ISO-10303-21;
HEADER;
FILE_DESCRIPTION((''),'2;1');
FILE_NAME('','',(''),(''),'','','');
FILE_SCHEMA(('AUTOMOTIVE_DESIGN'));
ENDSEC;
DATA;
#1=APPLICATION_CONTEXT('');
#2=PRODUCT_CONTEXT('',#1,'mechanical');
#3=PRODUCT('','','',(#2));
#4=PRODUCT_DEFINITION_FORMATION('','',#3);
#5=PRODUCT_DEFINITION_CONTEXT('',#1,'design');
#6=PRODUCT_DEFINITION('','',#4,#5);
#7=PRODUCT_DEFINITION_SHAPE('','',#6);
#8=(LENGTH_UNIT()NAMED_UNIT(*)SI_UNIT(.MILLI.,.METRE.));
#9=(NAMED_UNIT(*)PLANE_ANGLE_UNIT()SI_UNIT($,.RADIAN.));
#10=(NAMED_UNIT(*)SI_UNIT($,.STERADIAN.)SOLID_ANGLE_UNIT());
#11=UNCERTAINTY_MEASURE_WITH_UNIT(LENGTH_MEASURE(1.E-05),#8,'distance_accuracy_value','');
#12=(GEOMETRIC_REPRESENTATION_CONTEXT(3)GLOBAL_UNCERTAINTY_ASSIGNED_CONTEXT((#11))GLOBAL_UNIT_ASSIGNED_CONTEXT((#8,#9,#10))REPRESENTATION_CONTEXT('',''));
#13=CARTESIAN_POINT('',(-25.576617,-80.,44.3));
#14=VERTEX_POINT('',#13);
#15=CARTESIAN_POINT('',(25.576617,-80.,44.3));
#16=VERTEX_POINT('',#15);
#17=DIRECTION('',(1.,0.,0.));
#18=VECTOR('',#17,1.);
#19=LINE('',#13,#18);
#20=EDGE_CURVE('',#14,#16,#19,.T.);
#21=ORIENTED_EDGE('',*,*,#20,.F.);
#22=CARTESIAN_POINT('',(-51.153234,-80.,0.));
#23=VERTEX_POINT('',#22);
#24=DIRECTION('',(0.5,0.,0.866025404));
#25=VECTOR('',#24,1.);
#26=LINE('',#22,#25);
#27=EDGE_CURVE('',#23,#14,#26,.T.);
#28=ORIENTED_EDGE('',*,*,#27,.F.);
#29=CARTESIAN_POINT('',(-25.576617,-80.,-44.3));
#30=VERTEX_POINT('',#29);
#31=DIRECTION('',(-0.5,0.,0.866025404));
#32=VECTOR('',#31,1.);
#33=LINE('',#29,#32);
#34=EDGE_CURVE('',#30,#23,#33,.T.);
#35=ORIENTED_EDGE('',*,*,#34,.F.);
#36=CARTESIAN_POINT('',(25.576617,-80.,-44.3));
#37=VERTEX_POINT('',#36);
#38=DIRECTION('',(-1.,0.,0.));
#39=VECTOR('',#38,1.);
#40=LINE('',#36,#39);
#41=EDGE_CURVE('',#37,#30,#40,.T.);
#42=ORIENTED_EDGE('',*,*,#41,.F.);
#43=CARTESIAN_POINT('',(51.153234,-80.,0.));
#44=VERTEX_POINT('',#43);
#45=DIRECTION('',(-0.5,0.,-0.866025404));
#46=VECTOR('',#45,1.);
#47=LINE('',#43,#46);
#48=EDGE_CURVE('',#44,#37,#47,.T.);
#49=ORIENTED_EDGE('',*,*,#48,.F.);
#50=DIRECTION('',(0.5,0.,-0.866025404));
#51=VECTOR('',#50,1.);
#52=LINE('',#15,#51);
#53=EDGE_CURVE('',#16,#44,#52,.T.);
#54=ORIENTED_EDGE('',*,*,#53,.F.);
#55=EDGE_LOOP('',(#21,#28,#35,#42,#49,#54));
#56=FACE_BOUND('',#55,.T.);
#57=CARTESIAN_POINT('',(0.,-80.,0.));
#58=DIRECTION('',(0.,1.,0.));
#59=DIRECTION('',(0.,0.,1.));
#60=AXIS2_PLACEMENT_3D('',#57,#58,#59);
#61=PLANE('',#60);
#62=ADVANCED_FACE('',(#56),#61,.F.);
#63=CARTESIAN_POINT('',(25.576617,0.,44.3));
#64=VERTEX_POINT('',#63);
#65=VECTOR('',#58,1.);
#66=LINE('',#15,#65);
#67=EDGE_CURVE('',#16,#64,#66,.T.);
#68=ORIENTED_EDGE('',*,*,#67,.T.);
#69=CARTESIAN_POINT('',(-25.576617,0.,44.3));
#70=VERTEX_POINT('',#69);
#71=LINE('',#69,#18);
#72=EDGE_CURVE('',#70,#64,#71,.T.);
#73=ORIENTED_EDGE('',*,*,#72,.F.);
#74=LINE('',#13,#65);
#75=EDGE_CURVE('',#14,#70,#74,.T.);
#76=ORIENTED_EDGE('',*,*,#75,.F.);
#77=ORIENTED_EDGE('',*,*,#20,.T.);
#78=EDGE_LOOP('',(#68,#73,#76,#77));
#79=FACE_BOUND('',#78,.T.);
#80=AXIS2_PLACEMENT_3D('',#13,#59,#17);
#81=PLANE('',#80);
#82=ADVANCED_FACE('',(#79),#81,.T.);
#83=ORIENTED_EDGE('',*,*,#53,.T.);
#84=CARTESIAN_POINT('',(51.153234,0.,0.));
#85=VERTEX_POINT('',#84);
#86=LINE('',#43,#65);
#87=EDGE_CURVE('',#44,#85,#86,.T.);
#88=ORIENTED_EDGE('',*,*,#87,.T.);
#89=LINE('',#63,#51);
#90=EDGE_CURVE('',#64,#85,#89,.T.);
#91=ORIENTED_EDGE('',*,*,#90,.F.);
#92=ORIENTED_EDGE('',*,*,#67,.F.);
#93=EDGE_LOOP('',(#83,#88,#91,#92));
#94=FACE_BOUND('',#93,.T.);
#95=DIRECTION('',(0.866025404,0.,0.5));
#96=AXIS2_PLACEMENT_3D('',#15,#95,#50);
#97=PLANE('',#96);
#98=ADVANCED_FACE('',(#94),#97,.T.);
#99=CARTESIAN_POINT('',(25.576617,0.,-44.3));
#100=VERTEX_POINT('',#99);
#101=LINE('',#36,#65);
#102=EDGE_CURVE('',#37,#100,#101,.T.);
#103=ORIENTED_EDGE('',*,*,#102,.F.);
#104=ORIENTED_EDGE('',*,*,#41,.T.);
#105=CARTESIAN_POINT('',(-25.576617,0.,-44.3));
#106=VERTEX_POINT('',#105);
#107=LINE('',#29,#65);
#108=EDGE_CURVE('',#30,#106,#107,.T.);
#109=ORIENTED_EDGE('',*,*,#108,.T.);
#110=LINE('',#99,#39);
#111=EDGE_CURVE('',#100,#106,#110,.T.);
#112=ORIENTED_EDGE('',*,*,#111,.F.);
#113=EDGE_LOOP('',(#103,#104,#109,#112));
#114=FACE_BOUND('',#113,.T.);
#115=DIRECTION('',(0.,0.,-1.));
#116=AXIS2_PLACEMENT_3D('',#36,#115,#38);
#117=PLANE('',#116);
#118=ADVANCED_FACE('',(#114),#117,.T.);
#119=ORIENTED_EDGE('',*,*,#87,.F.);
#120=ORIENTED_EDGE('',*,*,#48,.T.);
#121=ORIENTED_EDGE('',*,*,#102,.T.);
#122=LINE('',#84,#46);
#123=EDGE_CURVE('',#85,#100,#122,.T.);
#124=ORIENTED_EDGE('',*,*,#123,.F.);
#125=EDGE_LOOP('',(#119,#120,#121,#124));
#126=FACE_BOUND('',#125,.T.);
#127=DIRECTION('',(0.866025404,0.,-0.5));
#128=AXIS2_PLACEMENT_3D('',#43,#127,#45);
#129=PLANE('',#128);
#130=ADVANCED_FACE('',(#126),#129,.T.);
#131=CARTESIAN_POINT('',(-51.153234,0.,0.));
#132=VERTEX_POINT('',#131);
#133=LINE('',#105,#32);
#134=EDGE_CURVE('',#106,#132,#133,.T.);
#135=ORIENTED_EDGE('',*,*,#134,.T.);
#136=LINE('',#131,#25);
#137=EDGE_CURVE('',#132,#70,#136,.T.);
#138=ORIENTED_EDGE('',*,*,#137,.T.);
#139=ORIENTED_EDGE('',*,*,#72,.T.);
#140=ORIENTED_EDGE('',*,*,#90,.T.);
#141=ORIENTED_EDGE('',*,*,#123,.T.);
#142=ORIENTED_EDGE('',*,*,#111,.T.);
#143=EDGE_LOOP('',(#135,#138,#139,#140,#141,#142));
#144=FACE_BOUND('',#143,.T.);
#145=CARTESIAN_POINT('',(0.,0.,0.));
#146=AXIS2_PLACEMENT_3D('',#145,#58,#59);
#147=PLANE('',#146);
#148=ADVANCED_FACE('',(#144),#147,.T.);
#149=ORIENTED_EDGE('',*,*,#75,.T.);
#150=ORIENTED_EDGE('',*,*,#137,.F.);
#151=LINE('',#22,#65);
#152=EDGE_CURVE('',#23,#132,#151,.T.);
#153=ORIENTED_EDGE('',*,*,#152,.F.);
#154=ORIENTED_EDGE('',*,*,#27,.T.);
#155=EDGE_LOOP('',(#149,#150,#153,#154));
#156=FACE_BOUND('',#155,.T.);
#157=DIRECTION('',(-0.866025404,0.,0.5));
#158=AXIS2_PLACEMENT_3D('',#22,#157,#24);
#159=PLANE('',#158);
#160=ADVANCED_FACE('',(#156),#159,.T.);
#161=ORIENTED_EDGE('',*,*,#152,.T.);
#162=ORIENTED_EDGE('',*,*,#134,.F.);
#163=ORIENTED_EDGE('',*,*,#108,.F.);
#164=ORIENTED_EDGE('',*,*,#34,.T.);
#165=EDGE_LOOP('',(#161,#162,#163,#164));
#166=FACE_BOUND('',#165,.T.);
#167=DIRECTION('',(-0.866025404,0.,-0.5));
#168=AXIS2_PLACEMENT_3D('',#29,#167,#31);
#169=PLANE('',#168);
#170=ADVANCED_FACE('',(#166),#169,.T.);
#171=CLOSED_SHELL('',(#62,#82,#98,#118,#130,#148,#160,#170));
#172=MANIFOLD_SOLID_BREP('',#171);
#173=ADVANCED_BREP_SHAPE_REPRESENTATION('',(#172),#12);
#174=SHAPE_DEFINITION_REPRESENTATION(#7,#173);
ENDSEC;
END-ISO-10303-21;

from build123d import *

# Parameters (mm, degrees)
BOSS_EXTRUDE1_DEPTH = 80


with BuildPart() as part:
    # Sketch1 → Boss-Extrude1 (new body)
    with BuildSketch(Plane(origin=(0, 0, 0), x_dir=(1, 0, 0), z_dir=(0, 1, 0))):
        Polygon((25.576616925, -44.3), (51.15323385, 0), (25.576616925, 44.3), (-25.576616925, 44.3), (-51.15323385, 0), (-25.576616925, -44.3), align=None)
    extrude(amount=-BOSS_EXTRUDE1_DEPTH)


solid = part.part
